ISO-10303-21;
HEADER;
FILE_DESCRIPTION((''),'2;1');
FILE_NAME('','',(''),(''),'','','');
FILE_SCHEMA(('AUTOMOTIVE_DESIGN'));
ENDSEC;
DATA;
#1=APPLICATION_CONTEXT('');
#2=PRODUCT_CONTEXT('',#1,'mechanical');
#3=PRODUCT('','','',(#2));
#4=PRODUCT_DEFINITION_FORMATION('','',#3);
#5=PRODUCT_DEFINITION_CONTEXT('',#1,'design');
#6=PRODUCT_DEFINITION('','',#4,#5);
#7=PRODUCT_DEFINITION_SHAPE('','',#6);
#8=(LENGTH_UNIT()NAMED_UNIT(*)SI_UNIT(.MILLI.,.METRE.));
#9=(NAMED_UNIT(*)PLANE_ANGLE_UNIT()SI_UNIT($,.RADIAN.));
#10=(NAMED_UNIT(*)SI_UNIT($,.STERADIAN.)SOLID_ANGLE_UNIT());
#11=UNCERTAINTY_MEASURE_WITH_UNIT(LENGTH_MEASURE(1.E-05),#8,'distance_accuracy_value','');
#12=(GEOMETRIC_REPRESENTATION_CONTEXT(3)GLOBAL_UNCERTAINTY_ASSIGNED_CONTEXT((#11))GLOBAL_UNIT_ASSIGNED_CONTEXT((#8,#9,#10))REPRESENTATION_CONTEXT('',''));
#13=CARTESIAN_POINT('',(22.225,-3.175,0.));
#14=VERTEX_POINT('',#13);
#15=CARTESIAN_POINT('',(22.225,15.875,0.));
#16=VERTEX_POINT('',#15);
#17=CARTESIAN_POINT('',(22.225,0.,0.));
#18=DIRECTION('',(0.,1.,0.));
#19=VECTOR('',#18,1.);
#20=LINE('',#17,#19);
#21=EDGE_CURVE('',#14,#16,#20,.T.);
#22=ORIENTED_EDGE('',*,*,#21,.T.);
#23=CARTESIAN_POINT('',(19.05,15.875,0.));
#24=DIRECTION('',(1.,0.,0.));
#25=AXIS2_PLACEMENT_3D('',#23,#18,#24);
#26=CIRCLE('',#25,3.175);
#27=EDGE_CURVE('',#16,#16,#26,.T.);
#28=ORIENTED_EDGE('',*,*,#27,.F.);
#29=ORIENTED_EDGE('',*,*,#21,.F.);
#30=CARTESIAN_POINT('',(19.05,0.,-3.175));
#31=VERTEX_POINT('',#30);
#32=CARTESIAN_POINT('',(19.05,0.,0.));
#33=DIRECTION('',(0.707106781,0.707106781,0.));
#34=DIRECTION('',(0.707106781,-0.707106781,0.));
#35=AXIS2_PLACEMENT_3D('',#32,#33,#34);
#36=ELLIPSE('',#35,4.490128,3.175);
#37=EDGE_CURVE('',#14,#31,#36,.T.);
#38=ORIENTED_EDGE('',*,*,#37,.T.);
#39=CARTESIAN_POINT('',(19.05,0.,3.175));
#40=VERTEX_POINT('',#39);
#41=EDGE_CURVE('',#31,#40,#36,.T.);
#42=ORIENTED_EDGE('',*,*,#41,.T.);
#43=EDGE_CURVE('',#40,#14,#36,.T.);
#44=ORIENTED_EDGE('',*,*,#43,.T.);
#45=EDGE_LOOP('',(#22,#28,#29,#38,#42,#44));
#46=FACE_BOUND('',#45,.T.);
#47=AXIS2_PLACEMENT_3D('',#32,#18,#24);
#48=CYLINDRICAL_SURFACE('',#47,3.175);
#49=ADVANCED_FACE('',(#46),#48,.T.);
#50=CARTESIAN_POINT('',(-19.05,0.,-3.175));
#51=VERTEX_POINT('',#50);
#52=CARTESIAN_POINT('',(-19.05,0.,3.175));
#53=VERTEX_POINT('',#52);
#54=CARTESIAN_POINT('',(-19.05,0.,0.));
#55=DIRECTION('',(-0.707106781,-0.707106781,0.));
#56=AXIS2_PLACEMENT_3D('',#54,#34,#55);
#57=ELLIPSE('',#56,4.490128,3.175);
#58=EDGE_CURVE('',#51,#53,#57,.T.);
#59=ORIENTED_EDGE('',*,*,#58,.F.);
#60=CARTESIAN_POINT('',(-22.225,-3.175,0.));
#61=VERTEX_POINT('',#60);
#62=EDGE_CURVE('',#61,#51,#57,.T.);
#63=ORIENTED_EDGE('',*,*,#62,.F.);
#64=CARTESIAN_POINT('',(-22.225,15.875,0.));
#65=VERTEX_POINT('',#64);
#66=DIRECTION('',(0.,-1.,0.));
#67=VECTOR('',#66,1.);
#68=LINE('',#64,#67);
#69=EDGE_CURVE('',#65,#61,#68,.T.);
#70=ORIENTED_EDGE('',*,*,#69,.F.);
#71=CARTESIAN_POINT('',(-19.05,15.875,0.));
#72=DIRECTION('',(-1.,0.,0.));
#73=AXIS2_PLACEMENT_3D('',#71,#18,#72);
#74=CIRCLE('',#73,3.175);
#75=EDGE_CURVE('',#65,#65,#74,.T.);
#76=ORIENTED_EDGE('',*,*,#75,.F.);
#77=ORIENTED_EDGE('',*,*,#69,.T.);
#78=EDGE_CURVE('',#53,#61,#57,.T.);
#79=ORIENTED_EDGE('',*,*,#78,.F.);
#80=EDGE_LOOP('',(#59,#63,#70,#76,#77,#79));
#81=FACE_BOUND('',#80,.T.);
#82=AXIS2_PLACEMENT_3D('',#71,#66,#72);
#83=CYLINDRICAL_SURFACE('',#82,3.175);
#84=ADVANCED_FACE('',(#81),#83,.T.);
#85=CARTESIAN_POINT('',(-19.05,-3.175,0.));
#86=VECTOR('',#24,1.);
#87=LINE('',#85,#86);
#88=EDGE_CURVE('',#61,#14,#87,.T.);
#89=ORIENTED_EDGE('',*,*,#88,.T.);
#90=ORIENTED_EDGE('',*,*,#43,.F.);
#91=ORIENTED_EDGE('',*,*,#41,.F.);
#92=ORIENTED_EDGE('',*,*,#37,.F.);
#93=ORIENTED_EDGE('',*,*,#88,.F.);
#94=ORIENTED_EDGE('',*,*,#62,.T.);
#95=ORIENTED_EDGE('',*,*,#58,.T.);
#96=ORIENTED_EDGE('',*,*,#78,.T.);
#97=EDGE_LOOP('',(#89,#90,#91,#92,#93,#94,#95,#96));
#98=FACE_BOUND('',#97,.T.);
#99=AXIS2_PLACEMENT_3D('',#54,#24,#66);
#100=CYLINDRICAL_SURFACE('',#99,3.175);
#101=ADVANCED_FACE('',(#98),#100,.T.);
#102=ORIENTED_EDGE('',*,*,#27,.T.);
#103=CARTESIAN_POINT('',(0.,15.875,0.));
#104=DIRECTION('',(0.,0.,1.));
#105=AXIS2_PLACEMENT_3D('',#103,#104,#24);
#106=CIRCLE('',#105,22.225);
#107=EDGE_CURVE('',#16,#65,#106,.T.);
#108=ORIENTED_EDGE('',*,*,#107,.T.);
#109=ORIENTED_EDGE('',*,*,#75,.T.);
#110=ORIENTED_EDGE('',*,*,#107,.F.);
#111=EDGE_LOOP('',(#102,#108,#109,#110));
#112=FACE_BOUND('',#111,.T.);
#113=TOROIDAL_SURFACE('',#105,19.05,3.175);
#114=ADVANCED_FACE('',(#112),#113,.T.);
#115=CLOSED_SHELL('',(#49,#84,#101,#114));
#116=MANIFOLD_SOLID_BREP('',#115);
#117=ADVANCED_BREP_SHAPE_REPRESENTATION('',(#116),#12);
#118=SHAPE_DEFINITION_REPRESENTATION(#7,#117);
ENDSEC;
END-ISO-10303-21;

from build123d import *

# Parameters (mm, degrees)
SKETCH2_R = 3.175


with BuildPart() as part:
    # Sweep1: sweep along a path in Sketch1
    with BuildLine(Plane.XY) as sweep1_path:
        Line((0, 0), (19.05, 0))
        Line((19.05, 0), (19.05, 15.875))
        ThreePointArc((19.05, 15.875), (0, 34.925), (-19.05, 15.875))
        Line((-19.05, 15.875), (-19.05, 0))
        Line((-19.05, 0), (0, 0))
    # Sketch2 → Sweep1 (sweep)
    with BuildSketch(Plane(origin=(0, 0, 0), x_dir=(1, 0, 0), z_dir=(0, 1, 0))):
        with Locations((19.05, 0)):
            Circle(SKETCH2_R)
    sweep(path=sweep1_path.line, transition=Transition.RIGHT)


solid = part.part
